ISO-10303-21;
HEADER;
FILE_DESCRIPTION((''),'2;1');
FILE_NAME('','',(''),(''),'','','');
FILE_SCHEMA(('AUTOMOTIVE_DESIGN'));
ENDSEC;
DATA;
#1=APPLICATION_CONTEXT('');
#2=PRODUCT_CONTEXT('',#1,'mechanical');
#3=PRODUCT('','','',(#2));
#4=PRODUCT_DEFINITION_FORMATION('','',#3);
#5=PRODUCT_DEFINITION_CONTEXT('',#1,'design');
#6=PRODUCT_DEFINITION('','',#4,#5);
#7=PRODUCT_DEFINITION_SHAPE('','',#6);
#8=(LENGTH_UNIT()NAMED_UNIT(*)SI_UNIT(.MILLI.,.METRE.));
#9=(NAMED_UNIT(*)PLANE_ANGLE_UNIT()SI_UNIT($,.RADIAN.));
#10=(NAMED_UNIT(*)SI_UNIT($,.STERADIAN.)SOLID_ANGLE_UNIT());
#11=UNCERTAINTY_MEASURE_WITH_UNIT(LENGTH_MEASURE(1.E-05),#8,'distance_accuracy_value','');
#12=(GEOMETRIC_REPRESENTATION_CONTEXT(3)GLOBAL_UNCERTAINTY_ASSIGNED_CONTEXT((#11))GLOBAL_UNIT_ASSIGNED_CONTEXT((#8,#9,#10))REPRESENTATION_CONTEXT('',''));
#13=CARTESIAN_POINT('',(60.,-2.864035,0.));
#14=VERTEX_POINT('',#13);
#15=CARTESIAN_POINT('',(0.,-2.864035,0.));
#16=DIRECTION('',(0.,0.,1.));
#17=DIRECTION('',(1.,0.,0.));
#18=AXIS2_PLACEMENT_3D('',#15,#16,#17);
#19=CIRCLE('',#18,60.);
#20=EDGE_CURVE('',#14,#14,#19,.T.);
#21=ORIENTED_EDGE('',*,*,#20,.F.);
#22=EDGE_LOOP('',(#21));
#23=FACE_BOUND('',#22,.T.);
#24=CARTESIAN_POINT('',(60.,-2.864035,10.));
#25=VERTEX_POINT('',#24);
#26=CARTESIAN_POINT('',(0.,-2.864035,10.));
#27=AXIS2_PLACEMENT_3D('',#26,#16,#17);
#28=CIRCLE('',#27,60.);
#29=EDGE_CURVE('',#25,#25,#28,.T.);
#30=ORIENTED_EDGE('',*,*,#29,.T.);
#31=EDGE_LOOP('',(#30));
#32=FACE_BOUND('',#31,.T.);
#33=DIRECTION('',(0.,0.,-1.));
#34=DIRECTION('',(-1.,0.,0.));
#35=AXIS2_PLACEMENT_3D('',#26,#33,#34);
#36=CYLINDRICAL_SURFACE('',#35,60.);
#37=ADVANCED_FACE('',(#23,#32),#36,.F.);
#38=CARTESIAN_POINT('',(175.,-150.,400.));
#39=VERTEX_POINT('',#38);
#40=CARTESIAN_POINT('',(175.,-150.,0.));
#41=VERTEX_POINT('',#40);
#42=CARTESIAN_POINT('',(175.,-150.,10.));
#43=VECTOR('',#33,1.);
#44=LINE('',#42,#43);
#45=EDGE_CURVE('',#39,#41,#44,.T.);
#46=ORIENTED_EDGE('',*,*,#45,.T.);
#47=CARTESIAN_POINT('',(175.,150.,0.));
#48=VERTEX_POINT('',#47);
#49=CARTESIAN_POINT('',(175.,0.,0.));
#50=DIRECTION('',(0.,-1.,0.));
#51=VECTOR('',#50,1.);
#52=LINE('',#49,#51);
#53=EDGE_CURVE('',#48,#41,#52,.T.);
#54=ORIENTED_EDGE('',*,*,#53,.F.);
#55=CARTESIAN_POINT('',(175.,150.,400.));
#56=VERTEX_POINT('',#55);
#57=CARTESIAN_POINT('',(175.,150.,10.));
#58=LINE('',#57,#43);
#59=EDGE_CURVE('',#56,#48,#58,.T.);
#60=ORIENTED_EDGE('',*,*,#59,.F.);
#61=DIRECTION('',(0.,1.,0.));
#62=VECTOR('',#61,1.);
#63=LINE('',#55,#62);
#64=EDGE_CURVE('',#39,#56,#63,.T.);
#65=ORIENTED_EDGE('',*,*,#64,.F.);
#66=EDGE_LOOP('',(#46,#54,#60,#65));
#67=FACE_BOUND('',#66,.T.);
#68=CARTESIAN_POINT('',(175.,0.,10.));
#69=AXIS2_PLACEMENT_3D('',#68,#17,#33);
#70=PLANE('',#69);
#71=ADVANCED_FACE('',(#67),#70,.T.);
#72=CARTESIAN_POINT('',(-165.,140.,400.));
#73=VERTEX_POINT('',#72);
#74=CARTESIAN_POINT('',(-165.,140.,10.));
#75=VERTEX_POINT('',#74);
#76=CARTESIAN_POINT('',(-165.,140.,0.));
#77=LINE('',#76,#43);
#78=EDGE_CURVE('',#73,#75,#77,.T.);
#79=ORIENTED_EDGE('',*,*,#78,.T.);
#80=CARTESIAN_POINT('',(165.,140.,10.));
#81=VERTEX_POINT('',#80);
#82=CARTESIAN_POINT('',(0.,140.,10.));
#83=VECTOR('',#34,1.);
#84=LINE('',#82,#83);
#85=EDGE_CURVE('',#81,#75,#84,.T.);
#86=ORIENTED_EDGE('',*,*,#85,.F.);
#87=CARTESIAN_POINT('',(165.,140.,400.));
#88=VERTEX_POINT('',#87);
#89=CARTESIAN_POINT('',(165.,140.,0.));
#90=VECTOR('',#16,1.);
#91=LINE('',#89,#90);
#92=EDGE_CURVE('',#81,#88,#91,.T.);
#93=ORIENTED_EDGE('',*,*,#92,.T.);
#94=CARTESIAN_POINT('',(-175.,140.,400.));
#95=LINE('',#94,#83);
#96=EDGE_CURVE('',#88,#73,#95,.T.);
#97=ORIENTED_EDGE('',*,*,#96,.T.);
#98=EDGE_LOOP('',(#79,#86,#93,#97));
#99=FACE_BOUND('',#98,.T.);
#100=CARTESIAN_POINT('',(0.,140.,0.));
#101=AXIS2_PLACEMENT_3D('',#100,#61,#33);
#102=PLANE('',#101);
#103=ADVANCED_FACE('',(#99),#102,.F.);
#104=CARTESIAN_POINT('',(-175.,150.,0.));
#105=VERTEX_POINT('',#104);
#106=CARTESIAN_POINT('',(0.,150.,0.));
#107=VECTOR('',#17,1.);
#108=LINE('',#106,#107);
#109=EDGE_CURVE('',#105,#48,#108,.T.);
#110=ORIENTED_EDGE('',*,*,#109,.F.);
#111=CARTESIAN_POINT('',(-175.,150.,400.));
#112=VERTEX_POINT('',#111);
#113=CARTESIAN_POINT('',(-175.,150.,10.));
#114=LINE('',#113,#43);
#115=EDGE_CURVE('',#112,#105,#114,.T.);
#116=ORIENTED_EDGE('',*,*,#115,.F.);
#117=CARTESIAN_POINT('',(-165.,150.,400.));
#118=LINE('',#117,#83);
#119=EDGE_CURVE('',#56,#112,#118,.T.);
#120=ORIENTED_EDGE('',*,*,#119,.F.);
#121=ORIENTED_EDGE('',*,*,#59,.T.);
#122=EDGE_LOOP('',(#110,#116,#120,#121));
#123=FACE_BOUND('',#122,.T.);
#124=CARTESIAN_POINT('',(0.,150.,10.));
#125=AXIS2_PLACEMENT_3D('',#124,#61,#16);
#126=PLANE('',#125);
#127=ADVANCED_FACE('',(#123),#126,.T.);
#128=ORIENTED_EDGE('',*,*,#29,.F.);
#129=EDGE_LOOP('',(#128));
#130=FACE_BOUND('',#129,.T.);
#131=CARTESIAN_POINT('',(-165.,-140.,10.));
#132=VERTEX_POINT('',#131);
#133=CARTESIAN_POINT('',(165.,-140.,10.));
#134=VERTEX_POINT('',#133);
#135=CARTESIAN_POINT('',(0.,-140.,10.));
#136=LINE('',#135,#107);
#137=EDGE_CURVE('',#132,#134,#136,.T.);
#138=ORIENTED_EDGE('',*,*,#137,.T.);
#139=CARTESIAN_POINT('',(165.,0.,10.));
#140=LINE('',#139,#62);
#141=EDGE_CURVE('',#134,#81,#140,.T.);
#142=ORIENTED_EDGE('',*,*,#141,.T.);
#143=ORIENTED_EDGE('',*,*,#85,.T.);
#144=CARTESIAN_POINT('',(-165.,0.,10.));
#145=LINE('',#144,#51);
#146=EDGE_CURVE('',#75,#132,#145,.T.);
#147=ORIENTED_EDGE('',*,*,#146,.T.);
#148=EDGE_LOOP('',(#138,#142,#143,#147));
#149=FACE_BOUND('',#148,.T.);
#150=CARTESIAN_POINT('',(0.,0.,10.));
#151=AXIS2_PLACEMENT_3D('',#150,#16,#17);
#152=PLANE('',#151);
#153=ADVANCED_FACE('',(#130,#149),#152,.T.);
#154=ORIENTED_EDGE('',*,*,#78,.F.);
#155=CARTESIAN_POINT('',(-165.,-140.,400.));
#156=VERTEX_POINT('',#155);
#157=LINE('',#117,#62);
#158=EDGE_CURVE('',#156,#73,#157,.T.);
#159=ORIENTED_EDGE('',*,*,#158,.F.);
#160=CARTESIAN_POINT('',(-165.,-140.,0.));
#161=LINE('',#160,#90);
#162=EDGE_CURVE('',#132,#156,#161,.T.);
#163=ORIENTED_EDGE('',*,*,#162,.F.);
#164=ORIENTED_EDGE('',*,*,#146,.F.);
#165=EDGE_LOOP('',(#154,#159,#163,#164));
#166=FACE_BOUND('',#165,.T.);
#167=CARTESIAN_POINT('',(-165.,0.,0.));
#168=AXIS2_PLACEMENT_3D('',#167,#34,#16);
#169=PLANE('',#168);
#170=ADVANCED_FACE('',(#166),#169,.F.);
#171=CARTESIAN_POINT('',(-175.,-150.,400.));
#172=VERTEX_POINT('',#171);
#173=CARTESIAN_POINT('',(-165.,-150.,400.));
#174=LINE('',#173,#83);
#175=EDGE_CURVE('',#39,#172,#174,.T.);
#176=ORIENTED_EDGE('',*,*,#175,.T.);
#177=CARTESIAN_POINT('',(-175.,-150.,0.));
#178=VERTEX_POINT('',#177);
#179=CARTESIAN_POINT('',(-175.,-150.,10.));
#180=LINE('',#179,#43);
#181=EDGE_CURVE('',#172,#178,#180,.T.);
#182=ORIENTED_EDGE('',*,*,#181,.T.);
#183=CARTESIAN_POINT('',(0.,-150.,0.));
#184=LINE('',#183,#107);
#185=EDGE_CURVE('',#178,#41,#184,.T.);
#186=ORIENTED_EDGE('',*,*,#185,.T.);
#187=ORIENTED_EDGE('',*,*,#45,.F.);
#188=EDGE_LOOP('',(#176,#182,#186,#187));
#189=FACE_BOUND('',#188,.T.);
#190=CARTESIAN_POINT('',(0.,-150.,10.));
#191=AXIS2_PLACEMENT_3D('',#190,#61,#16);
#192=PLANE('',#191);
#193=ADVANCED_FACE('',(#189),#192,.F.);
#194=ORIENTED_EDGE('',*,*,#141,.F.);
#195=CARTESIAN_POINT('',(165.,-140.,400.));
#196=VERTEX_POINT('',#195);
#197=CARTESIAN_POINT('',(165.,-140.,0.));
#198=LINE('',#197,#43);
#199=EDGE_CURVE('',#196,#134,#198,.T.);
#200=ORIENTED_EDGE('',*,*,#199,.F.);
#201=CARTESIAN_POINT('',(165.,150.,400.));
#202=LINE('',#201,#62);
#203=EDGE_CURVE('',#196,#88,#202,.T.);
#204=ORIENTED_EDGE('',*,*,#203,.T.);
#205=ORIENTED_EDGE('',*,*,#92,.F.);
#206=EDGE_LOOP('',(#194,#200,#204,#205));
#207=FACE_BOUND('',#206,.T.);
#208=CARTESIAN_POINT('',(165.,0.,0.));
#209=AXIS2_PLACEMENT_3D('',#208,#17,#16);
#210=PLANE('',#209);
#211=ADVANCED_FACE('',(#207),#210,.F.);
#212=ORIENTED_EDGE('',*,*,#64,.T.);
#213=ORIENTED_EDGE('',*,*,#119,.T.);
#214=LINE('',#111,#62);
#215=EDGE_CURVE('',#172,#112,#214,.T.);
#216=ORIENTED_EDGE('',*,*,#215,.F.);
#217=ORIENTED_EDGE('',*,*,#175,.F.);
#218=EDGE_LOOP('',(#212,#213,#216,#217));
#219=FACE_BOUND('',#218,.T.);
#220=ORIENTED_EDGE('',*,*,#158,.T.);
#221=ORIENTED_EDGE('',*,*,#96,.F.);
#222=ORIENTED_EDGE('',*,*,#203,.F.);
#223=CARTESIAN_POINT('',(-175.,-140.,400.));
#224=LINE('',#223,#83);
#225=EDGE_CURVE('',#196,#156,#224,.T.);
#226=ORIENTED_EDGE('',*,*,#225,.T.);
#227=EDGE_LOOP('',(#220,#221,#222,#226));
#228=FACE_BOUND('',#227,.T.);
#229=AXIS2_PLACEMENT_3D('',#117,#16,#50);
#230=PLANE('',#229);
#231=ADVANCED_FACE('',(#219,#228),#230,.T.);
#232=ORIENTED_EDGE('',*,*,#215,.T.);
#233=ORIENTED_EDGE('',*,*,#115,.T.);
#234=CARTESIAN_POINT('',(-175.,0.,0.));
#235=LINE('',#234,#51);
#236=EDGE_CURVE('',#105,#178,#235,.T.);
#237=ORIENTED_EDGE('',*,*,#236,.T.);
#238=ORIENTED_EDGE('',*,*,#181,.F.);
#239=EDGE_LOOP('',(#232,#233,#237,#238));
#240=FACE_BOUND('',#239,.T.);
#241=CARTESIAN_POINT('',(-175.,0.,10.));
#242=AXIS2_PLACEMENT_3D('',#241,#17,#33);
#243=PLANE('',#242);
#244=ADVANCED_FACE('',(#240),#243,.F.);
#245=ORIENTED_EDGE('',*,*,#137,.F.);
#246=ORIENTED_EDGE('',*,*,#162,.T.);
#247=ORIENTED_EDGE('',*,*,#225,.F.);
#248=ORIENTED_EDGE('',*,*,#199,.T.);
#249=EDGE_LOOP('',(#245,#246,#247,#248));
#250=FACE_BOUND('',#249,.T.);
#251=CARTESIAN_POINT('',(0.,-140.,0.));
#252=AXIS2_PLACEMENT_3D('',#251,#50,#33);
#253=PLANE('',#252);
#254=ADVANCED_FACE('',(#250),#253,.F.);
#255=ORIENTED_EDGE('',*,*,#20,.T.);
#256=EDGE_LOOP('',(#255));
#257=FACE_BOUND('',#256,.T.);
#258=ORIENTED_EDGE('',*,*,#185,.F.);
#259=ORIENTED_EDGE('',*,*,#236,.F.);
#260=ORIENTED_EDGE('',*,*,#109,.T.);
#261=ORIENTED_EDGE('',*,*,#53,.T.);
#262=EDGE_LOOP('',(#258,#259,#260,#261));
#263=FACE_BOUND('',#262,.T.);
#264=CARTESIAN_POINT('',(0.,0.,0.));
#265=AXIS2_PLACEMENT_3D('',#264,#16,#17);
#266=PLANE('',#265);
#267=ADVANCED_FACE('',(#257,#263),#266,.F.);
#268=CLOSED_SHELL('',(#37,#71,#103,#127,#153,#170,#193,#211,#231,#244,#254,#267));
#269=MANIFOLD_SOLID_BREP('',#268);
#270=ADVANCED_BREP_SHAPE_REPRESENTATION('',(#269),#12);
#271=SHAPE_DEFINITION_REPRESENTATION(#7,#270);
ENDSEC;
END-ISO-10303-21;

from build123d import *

# Parameters (mm, degrees)
SKETCH1_W           = 350
SKETCH1_H           = 300
SKETCH1_R           = 60
BOSS_EXTRUDE1_DEPTH = 10
SKETCH2_W           = 400
SKETCH2_H           = 300
BOSS_EXTRUDE2_DEPTH = 10
SKETCH3_W           = 350
SKETCH3_H           = 400
BOSS_EXTRUDE3_DEPTH = 10


with BuildPart() as part:
    # Sketch1 → Boss-Extrude1 (new body)
    with BuildSketch(Plane.XY):
        Rectangle(SKETCH1_W, SKETCH1_H)
        with Locations((0, -2.864034897)):
            Circle(SKETCH1_R, mode=Mode.SUBTRACT)
    extrude(amount=BOSS_EXTRUDE1_DEPTH)

    # Sketch2 → Boss-Extrude2 (add)
    with BuildSketch(Plane.ZY.offset(175)):
        with Locations((200, 0)):
            Rectangle(SKETCH2_W, SKETCH2_H)
    boss_extrude2 = extrude(amount=-BOSS_EXTRUDE2_DEPTH)

    # Mirror1: Boss-Extrude2 across plane
    add(boss_extrude2.mirror(Plane(origin=(0, 0, 0), x_dir=(0, 0, 1), z_dir=(1, 0, 0))))

    # Sketch3 → Boss-Extrude3 (add)
    with BuildSketch(Plane.XZ.offset(150)):
        with Locations((0, 200)):
            Rectangle(SKETCH3_W, SKETCH3_H)
    boss_extrude3 = extrude(amount=-BOSS_EXTRUDE3_DEPTH)

    # Mirror2: Boss-Extrude3 across plane
    add(boss_extrude3.mirror(Plane.ZX))


solid = part.part
